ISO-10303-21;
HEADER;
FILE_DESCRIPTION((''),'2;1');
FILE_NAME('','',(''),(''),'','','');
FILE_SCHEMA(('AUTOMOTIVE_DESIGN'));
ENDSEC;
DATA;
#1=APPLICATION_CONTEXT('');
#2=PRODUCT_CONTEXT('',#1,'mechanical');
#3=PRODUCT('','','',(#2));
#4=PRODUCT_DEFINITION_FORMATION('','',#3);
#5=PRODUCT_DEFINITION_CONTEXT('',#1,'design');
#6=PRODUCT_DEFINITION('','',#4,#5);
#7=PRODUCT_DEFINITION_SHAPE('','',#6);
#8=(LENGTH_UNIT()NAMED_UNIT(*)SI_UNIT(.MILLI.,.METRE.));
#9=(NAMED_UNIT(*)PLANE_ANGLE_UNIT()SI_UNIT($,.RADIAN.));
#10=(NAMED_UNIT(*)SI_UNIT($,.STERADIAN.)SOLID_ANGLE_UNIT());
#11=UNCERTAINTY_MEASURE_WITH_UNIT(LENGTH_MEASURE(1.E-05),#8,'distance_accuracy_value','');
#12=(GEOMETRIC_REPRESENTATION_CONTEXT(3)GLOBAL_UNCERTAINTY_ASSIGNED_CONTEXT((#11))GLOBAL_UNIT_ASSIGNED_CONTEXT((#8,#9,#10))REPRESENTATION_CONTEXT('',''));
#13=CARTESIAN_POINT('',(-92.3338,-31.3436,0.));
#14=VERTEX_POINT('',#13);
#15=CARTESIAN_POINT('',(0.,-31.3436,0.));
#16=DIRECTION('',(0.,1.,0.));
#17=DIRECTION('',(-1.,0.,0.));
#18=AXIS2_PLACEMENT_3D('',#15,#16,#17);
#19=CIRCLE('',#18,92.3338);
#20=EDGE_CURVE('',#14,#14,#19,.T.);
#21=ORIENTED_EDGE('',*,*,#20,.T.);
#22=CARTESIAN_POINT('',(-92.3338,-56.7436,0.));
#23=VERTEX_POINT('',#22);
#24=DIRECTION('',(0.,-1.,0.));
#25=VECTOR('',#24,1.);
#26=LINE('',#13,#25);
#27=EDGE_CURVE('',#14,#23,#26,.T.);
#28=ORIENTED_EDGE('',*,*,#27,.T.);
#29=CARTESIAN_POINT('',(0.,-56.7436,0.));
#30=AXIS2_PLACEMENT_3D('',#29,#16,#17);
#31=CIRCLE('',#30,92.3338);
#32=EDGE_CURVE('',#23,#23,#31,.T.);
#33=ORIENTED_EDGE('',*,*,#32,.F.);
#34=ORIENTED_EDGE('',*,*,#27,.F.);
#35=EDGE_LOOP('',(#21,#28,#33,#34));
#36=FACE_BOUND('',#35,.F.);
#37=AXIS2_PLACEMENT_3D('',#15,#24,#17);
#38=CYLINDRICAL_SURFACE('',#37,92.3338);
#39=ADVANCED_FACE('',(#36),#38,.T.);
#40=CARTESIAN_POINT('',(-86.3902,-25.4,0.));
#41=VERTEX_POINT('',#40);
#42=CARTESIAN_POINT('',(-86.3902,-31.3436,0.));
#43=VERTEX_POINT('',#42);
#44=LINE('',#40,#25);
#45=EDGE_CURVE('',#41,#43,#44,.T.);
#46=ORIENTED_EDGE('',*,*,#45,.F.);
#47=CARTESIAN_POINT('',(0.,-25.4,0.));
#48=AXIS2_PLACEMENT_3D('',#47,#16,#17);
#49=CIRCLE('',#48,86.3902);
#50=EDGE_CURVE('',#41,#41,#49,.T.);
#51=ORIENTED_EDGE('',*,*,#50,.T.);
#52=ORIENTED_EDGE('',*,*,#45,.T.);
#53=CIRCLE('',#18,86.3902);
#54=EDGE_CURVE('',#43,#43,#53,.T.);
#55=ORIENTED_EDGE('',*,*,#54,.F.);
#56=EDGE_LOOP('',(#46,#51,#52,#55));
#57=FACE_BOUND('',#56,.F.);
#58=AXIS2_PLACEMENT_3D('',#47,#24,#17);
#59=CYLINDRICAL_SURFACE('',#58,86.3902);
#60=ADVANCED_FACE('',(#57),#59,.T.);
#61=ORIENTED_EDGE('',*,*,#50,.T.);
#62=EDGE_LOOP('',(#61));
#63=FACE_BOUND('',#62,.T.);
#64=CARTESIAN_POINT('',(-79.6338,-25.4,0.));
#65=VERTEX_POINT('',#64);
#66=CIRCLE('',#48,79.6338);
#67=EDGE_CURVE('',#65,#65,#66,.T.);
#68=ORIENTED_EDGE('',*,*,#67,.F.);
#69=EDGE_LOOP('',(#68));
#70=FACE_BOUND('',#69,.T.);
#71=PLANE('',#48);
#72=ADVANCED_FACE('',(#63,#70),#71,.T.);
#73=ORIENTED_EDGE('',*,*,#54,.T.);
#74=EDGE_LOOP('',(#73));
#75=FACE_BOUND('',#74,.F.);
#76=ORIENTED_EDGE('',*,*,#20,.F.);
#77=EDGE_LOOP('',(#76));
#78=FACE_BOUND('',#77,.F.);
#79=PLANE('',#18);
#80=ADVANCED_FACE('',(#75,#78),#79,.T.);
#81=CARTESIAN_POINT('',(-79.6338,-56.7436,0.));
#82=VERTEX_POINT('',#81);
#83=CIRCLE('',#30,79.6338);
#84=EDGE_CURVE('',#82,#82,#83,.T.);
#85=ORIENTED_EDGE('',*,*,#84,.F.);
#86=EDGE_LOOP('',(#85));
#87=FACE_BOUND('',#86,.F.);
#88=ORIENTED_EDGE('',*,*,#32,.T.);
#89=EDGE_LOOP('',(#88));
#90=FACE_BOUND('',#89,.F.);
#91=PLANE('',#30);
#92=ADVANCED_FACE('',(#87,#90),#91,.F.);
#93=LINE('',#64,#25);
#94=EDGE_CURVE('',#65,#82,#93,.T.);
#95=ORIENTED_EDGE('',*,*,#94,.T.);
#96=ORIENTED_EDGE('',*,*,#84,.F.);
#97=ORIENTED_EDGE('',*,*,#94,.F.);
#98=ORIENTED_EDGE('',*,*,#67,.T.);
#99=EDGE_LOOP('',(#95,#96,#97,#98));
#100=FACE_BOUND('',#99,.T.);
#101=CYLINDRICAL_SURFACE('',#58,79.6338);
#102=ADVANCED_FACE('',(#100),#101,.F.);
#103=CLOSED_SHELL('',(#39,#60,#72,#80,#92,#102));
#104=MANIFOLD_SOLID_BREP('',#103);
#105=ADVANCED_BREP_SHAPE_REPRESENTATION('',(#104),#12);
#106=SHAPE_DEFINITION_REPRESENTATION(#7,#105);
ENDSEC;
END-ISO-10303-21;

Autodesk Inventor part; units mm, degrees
ref_plane "YZ Plane" through (0, 0, 0) normal (1, 0, 0) x (0, 1, 0)
ref_plane "XZ Plane" through (0, 0, 0) normal (0, 1, 0) x (-1, 0, 0)
ref_plane "XY Plane" through (0, 0, 0) normal (0, 0, 1) x (1, 0, 0)
sketch "Sketch1" plane through (0, 0, 0) normal (0, 0, 1) x (1, 0, 0)
  line L0 (0, 25.4) -> (-28.702, 25.4) construction
  line L1 (0, 25.4) -> (-95.25, 25.4) construction
  line L2 (-95.25, 25.4) -> (-89.1588, 25.4) construction
  line L3 (-89.1588, 25.4) -> (-85.693, 23.7839) construction
  line L4 (-89.1588, 25.4) -> (-89.1588, 21.1626) construction
  line L5 (-89.1588, 0) -> (-95.25, 0)
  line L6 (-28.702, 59.6457) -> (-28.702, -91.9304) construction
  arc A0 (-28.9184, -8.4804) -> (-32.3684, -1.0818) centre (-35.052, -6.8369) ccw
  line L7 (-89.1588, 25.4) -> (-89.1588, 0)
  line L8 (-89.1588, 25.4) -> (-32.3684, -1.0818)
  line L9 (-28.9184, -8.4804) -> (-28.9392, -8.5583)
  line L10 (0, -319.0244) -> (0, 122.7573) projected
  line L11 (-73.152, 17.9359) -> (-28.702, 17.9359) construction
  line L12 (-89.1588, 0) -> (-92.3338, 0)
  line L13 (11.4547, -6.8369) -> (-136.2084, -6.8369) construction
  line L14 (-57.2892, -89.8271) -> (-74.8171, -155.2422)
  line L15 (-92.3338, -12.7) -> (-73.2838, -12.7)
  line L16 (-73.2838, -12.7) -> (-54.421, -103.6575)
  line L17 (-74.8171, -155.2422) -> (-68.2431, -155.2422)
  line L18 (-92.3338, -25.4) -> (-79.6338, -25.4)
  line L19 (-79.6338, -25.4) -> (-79.6338, -57.15)
  line L20 (-79.6338, -57.15) -> (-72.991, -88.4936)
  line L21 (-92.3338, 0) -> (-92.3338, -25.4)
  line L22 (-86.3902, -25.4) -> (-86.3902, -31.3436)
  line L23 (-86.3902, -31.3436) -> (-92.3338, -31.3436)
  line L24 (-92.3338, -31.3436) -> (-92.3338, -56.7436)
  line L25 (-92.3338, -56.7436) -> (-79.6338, -56.7436)
  line L26 (-73.152, 17.9359) -> (-32.3684, -1.0818)
  line L27 (-73.152, 17.9359) -> (-50.7653, -90.0141)
  line L28 (-50.7653, -90.0141) -> (-28.9184, -8.4804)
  line L29 (-52.4654, -96.3589) -> (-28.9184, -8.4804)
  line L30 (-86.36, -222.8555) -> (-28.9184, -8.4804)
  line L31 (-72.991, -88.4936) -> (-89.535, -222.8555)
  line L32 (-89.535, -222.8555) -> (-86.36, -222.8555)
  point P0 (0, 0)
  point P1 (-95.25, -255.9127)
  point P2 (-88.7095, 22.4389)
  dimension "d0" = 28.702
  dimension "d3" = 25
  dimension "d5" = 25.4
  dimension "d6" = 25.4
  dimension "d8" = 12.7
  dimension "d34" = 15
  dimension "d37" = 44.45
  dimension "d46" = 19.05
  dimension "d47" = 12.7
  dimension "d55" = 12.7
  dimension "d56" = 31.75
  dimension "d58" = 0.25
  dimension "d60" = 12.7
  dimension "d61" = 25.4
  dimension "d62" = 5.9436
  dimension "d63" = 5.9436
  dimension "d64" = 3.175
  dimension "d68" = 107.95
  dimension "d69" = 6.35
  dimension "d70" = 6.35
  dimension "d71" = 3.175
  dimension "d73" = 86.36
  dimension "d74" = 31.75
  dimension "d75" = 6.3448
revolve "Revolution3" add sketch "Sketch1" angle 360 about axis through (0, -10, 0) along (0, 1, 0) contours L18 L19 L25 L24 L23 L22
properties part number "aluminum_retainer" material "Aluminum 6061"
